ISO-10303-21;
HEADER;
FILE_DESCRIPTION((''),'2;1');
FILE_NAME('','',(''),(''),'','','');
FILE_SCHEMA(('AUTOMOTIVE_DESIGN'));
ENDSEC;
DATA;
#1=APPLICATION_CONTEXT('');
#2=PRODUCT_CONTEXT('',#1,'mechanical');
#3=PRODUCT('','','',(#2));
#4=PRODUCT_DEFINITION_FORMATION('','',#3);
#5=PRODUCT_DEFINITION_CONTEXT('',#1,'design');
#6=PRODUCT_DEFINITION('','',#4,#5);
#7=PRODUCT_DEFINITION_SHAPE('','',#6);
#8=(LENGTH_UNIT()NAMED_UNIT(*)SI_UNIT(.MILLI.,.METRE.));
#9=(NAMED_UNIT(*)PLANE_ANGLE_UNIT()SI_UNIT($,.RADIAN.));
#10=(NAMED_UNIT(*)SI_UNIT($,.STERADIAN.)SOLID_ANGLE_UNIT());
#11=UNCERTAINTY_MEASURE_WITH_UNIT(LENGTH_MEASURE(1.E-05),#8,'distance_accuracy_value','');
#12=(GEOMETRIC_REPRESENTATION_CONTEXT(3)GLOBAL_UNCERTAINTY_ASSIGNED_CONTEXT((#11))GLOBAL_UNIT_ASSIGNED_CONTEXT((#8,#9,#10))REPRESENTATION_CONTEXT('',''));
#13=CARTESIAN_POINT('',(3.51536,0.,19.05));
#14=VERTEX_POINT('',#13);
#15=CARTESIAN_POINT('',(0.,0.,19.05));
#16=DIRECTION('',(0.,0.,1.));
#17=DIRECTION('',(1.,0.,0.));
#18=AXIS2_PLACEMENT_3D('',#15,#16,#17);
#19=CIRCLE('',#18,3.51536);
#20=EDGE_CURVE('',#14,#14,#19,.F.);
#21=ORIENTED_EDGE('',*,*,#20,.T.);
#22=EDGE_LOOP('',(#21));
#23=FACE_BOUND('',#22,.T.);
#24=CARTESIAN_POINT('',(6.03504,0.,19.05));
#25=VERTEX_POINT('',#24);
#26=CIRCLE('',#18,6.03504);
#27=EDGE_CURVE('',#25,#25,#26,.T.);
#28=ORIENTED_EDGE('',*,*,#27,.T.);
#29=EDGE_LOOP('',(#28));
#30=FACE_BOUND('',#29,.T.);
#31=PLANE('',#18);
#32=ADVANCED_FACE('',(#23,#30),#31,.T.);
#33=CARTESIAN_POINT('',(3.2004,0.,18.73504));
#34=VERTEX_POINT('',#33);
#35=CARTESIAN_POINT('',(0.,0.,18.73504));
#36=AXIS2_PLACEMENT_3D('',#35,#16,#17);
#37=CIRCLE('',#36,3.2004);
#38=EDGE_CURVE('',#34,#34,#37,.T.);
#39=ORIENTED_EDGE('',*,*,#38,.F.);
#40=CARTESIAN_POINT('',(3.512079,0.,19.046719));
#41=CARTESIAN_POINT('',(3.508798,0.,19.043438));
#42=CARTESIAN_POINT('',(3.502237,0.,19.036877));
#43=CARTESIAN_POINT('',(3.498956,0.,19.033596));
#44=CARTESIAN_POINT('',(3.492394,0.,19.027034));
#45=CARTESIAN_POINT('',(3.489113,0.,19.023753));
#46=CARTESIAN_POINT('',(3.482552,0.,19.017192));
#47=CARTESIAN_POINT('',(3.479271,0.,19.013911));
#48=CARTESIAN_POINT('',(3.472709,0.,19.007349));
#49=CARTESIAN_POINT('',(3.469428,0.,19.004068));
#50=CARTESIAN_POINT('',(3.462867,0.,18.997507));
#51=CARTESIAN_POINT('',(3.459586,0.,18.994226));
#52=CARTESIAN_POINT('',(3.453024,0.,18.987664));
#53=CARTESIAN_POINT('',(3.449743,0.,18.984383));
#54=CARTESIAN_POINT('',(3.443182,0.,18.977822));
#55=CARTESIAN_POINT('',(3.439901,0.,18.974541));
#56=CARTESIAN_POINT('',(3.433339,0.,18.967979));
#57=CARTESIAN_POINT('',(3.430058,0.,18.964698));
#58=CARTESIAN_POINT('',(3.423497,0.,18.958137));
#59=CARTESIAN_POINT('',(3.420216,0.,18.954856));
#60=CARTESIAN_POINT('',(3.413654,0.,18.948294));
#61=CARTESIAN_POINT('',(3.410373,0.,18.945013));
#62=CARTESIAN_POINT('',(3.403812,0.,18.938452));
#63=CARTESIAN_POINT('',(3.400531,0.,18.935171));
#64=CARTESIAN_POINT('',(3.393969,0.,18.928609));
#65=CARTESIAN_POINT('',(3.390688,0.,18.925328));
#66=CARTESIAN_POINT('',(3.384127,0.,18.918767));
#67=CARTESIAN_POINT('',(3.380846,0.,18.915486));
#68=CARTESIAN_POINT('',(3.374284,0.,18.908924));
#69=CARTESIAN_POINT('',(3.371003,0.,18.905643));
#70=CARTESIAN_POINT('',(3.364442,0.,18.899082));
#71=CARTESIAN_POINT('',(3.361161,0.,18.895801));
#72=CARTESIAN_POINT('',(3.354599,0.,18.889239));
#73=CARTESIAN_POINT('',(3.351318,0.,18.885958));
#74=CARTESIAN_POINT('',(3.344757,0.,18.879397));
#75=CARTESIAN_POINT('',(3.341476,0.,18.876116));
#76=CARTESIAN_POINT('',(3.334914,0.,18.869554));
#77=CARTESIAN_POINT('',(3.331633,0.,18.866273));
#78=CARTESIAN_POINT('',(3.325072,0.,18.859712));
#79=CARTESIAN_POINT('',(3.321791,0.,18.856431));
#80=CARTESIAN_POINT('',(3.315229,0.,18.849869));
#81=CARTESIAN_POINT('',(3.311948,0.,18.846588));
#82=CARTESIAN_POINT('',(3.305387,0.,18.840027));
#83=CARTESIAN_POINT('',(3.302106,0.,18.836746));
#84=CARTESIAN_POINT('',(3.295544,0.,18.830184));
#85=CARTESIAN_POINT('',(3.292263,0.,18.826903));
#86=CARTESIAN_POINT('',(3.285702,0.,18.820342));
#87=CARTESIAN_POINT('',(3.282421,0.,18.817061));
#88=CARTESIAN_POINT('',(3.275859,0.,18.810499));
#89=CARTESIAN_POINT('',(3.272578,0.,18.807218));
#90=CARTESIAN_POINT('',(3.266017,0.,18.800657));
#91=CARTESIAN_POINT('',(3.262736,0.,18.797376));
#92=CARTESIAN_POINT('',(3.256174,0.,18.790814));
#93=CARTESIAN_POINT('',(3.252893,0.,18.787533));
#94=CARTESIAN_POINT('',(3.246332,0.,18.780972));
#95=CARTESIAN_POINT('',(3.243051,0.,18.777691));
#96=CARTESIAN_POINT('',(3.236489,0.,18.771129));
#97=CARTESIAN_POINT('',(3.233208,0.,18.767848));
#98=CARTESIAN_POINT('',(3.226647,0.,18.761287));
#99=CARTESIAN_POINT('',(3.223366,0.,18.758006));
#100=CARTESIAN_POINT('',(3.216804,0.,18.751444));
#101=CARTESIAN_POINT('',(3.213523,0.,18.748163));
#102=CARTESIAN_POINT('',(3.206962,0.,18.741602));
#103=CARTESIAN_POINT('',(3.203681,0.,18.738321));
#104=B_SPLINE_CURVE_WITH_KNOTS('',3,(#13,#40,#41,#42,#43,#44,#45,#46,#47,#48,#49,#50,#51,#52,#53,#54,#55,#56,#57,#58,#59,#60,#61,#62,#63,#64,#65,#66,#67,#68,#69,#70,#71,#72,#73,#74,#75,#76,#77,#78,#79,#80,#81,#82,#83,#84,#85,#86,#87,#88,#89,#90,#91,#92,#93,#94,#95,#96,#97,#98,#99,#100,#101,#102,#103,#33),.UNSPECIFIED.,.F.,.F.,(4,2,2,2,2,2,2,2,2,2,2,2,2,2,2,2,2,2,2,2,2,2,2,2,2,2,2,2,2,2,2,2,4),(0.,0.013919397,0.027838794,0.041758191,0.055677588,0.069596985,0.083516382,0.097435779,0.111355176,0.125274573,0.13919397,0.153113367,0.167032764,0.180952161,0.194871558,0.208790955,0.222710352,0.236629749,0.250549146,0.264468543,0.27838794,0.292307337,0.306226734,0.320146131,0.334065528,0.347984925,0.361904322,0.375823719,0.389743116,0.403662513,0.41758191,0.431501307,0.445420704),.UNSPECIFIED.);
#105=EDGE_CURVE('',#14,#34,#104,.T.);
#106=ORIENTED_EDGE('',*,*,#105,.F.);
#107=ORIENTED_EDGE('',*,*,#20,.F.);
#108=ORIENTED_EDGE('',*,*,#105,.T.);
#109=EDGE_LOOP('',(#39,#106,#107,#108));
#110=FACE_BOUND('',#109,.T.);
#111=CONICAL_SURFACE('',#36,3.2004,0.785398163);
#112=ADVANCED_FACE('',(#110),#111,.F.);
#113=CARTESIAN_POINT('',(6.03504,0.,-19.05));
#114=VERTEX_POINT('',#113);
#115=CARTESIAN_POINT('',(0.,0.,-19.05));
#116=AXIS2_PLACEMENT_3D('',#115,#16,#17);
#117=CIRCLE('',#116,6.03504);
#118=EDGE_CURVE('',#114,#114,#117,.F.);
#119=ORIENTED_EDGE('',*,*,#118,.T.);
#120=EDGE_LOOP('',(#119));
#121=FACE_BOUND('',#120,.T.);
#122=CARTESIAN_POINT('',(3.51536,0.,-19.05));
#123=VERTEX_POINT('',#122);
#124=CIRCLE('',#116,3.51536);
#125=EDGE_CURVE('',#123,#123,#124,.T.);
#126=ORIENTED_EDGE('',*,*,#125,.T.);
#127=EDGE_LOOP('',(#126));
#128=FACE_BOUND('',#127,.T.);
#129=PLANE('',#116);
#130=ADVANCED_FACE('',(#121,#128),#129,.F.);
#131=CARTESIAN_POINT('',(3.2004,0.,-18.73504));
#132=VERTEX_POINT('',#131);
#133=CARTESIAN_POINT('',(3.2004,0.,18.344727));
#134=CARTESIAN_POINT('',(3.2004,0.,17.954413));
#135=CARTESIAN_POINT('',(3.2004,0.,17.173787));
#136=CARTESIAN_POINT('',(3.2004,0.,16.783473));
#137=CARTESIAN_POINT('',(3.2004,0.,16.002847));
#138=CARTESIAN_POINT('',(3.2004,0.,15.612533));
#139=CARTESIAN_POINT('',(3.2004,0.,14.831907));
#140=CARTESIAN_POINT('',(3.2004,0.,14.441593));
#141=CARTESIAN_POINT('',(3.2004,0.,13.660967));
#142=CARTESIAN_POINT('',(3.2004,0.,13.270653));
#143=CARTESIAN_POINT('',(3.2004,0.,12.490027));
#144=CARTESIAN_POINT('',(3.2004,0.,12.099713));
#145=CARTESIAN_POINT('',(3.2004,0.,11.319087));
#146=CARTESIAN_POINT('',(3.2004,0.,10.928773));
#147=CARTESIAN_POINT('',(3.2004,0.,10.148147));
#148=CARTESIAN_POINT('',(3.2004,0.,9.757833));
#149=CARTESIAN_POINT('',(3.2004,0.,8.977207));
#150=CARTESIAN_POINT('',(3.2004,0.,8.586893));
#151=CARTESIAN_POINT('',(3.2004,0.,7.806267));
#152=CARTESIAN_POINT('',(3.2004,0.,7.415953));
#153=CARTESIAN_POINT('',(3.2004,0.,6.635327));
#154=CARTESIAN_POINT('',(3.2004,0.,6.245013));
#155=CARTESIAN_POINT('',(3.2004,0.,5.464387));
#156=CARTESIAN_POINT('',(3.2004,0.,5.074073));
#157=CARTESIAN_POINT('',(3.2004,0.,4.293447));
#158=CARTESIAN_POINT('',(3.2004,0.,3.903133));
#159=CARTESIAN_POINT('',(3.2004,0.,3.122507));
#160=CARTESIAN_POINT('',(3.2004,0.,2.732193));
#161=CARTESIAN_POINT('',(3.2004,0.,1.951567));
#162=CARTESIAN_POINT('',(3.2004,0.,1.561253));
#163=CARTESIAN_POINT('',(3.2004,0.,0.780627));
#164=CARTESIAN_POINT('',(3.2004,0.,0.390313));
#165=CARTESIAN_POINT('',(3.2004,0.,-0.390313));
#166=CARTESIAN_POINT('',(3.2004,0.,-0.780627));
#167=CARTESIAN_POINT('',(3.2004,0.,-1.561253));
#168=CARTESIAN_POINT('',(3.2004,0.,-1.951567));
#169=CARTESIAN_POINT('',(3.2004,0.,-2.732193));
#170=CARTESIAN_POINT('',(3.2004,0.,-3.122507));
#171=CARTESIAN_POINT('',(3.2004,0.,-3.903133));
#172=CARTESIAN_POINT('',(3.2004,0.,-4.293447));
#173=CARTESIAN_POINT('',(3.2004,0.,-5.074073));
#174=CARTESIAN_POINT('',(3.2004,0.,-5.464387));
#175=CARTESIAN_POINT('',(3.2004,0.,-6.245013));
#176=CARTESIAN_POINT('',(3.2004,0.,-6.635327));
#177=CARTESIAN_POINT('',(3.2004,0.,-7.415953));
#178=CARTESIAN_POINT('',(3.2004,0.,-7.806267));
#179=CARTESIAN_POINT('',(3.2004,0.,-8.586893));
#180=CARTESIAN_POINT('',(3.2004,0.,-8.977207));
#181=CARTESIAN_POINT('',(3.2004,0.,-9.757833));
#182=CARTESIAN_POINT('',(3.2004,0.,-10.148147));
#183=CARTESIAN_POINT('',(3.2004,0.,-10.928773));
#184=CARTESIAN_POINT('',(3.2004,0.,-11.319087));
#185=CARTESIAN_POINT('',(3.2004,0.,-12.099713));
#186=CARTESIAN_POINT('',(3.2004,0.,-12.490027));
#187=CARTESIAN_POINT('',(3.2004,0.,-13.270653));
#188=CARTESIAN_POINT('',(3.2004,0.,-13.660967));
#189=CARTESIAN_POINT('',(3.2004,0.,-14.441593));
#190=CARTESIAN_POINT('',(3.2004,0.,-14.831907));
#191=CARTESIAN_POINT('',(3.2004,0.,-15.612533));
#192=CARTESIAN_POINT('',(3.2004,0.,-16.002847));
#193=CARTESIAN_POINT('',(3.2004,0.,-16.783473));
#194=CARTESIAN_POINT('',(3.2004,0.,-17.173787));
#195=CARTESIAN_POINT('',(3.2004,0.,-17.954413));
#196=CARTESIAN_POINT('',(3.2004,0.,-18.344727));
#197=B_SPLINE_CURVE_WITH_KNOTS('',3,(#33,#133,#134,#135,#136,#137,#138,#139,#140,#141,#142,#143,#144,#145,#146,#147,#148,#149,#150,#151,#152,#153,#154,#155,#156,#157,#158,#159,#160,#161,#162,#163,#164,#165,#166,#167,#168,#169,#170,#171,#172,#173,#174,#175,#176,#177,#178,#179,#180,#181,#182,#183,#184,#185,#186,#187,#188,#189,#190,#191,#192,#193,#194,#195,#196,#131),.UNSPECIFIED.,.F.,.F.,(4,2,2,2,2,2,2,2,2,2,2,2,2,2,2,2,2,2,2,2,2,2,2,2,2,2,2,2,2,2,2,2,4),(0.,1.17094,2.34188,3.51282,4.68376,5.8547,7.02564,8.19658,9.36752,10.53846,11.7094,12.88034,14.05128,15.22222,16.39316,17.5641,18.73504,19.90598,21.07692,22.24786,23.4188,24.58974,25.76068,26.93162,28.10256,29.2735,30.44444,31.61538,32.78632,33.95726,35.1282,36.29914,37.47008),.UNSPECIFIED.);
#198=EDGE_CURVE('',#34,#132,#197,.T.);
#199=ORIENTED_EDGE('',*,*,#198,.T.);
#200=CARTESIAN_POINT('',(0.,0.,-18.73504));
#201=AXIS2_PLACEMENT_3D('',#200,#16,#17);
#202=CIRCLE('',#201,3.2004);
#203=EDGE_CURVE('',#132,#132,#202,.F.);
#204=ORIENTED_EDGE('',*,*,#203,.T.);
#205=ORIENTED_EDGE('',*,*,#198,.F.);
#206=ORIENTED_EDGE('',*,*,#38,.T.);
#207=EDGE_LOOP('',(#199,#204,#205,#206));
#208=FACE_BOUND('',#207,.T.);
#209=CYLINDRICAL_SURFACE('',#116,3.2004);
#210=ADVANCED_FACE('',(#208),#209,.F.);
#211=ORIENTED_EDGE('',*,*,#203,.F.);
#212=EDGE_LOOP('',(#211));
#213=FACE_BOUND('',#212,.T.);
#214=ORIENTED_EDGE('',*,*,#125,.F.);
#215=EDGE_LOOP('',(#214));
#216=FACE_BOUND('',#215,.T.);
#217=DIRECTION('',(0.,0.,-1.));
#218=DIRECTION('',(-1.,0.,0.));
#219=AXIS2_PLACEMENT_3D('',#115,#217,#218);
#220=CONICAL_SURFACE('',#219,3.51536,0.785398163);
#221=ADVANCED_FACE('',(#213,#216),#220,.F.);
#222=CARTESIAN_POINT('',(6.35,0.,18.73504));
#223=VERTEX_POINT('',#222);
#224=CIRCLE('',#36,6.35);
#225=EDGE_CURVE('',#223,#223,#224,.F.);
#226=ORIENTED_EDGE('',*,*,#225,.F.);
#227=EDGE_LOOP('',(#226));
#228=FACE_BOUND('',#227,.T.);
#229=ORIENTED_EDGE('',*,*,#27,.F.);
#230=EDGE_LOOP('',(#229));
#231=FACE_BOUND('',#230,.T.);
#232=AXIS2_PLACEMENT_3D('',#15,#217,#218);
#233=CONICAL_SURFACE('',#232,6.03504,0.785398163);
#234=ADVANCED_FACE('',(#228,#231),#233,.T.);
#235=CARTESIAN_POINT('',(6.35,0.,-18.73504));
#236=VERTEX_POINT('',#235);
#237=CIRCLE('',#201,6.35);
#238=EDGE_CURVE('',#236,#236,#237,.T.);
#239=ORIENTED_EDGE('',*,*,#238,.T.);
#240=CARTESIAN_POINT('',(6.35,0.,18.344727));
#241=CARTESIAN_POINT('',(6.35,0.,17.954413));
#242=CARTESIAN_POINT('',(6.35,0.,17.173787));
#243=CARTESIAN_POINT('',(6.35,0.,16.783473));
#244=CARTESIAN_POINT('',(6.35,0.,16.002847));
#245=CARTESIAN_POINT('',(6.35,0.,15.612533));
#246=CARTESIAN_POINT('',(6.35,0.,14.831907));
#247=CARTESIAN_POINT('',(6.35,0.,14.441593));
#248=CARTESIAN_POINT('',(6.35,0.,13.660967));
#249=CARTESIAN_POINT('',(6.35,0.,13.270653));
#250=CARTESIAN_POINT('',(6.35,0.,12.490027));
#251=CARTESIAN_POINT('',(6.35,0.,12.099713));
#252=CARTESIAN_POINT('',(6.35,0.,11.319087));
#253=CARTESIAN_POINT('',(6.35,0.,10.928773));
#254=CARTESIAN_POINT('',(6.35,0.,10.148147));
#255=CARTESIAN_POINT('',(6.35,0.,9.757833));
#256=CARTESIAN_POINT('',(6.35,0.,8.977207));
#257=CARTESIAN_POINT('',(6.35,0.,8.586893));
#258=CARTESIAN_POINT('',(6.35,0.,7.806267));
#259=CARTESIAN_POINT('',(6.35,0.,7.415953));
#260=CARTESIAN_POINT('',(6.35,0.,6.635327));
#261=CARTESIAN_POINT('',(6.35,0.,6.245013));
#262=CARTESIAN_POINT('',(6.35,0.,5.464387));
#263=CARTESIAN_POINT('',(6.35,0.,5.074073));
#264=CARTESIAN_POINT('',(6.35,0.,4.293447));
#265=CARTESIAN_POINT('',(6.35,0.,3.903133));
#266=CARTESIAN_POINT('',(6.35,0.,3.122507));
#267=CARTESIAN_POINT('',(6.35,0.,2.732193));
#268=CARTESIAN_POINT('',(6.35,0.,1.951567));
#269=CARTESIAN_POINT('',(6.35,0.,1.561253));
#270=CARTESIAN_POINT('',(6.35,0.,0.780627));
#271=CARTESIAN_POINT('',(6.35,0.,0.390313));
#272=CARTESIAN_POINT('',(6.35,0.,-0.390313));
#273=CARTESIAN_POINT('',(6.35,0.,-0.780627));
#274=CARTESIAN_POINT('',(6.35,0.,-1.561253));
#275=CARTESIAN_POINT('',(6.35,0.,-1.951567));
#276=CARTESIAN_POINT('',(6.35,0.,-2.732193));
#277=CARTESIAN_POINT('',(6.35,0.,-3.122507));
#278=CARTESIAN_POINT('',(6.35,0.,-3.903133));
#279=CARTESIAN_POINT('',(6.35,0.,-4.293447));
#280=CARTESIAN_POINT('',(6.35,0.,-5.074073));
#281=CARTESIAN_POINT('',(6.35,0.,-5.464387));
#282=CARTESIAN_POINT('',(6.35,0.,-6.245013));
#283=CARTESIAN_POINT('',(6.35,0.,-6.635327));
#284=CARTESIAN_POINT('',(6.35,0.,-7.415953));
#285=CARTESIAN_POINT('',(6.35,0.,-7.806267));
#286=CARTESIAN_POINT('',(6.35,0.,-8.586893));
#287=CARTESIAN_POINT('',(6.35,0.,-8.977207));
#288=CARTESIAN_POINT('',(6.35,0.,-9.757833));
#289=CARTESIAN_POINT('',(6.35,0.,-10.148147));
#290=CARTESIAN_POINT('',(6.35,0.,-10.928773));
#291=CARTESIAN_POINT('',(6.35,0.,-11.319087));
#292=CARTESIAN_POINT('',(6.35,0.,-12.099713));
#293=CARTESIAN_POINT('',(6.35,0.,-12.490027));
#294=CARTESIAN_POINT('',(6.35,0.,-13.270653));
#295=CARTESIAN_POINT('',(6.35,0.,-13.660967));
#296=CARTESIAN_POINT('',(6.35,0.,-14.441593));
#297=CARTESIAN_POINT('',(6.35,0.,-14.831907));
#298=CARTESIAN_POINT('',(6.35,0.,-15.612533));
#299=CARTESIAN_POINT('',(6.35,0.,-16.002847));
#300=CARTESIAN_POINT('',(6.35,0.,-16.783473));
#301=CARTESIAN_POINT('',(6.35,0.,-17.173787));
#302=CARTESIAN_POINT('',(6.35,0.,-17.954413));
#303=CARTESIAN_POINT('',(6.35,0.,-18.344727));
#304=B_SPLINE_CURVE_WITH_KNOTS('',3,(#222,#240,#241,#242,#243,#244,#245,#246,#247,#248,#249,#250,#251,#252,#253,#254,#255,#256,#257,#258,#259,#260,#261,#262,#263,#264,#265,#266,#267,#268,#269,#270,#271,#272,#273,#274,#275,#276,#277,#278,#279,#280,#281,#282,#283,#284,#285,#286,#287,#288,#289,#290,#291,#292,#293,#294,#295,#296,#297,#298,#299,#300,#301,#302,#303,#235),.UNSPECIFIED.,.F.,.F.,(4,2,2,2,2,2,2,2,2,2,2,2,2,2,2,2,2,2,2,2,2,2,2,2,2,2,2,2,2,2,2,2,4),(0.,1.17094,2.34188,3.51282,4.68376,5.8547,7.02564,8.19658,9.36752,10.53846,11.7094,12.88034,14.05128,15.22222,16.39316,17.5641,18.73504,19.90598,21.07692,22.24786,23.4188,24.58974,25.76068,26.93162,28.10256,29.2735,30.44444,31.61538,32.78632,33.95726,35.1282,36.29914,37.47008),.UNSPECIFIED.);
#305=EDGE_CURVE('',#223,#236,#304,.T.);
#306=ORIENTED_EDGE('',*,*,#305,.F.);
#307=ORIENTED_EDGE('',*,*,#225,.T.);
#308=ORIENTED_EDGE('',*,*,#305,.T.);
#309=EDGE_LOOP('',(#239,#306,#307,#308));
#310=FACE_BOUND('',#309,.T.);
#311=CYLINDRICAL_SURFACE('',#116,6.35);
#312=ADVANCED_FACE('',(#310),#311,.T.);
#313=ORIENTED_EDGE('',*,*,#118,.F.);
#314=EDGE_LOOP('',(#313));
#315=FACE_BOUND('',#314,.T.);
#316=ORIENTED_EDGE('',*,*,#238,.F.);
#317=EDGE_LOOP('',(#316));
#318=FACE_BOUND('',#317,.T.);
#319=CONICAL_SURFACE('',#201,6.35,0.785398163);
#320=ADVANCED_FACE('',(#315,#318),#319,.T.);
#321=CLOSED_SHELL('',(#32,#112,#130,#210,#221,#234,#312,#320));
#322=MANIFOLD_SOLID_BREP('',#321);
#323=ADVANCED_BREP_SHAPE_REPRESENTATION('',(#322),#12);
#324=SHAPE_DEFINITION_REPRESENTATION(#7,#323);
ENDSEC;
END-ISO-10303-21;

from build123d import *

# Parameters (mm, degrees)
BOSS_EXTRUDE1_DEPTH      = 19.05
BOSS_EXTRUDE1_DEPTH_BACK = 19.05
SKETCH3_R                = 6.35
SKETCH3_R_2              = 3.2004
CHAMFER1_SIZE            = 0.31496


with BuildPart() as part:
    # Sketch3 → Boss-Extrude1 (new, two sides: drawn at the far end of the back side and taken through both)
    with BuildSketch(Plane.XY.offset(-BOSS_EXTRUDE1_DEPTH_BACK)):
        Circle(SKETCH3_R)
        Circle(SKETCH3_R_2, mode=Mode.SUBTRACT)
    extrude(amount=BOSS_EXTRUDE1_DEPTH + BOSS_EXTRUDE1_DEPTH_BACK)

    # Chamfer1
    chamfer1_edges = [part.edges().sort_by_distance(p)[0] for p in [
        (-6.35, 0, -19.05),
        (-3.2004, 0, -19.05),
        (-6.35, 0, 19.05),
        (-3.2004, 0, 19.05),
    ]]
    chamfer(chamfer1_edges, length=CHAMFER1_SIZE)


solid = part.part
